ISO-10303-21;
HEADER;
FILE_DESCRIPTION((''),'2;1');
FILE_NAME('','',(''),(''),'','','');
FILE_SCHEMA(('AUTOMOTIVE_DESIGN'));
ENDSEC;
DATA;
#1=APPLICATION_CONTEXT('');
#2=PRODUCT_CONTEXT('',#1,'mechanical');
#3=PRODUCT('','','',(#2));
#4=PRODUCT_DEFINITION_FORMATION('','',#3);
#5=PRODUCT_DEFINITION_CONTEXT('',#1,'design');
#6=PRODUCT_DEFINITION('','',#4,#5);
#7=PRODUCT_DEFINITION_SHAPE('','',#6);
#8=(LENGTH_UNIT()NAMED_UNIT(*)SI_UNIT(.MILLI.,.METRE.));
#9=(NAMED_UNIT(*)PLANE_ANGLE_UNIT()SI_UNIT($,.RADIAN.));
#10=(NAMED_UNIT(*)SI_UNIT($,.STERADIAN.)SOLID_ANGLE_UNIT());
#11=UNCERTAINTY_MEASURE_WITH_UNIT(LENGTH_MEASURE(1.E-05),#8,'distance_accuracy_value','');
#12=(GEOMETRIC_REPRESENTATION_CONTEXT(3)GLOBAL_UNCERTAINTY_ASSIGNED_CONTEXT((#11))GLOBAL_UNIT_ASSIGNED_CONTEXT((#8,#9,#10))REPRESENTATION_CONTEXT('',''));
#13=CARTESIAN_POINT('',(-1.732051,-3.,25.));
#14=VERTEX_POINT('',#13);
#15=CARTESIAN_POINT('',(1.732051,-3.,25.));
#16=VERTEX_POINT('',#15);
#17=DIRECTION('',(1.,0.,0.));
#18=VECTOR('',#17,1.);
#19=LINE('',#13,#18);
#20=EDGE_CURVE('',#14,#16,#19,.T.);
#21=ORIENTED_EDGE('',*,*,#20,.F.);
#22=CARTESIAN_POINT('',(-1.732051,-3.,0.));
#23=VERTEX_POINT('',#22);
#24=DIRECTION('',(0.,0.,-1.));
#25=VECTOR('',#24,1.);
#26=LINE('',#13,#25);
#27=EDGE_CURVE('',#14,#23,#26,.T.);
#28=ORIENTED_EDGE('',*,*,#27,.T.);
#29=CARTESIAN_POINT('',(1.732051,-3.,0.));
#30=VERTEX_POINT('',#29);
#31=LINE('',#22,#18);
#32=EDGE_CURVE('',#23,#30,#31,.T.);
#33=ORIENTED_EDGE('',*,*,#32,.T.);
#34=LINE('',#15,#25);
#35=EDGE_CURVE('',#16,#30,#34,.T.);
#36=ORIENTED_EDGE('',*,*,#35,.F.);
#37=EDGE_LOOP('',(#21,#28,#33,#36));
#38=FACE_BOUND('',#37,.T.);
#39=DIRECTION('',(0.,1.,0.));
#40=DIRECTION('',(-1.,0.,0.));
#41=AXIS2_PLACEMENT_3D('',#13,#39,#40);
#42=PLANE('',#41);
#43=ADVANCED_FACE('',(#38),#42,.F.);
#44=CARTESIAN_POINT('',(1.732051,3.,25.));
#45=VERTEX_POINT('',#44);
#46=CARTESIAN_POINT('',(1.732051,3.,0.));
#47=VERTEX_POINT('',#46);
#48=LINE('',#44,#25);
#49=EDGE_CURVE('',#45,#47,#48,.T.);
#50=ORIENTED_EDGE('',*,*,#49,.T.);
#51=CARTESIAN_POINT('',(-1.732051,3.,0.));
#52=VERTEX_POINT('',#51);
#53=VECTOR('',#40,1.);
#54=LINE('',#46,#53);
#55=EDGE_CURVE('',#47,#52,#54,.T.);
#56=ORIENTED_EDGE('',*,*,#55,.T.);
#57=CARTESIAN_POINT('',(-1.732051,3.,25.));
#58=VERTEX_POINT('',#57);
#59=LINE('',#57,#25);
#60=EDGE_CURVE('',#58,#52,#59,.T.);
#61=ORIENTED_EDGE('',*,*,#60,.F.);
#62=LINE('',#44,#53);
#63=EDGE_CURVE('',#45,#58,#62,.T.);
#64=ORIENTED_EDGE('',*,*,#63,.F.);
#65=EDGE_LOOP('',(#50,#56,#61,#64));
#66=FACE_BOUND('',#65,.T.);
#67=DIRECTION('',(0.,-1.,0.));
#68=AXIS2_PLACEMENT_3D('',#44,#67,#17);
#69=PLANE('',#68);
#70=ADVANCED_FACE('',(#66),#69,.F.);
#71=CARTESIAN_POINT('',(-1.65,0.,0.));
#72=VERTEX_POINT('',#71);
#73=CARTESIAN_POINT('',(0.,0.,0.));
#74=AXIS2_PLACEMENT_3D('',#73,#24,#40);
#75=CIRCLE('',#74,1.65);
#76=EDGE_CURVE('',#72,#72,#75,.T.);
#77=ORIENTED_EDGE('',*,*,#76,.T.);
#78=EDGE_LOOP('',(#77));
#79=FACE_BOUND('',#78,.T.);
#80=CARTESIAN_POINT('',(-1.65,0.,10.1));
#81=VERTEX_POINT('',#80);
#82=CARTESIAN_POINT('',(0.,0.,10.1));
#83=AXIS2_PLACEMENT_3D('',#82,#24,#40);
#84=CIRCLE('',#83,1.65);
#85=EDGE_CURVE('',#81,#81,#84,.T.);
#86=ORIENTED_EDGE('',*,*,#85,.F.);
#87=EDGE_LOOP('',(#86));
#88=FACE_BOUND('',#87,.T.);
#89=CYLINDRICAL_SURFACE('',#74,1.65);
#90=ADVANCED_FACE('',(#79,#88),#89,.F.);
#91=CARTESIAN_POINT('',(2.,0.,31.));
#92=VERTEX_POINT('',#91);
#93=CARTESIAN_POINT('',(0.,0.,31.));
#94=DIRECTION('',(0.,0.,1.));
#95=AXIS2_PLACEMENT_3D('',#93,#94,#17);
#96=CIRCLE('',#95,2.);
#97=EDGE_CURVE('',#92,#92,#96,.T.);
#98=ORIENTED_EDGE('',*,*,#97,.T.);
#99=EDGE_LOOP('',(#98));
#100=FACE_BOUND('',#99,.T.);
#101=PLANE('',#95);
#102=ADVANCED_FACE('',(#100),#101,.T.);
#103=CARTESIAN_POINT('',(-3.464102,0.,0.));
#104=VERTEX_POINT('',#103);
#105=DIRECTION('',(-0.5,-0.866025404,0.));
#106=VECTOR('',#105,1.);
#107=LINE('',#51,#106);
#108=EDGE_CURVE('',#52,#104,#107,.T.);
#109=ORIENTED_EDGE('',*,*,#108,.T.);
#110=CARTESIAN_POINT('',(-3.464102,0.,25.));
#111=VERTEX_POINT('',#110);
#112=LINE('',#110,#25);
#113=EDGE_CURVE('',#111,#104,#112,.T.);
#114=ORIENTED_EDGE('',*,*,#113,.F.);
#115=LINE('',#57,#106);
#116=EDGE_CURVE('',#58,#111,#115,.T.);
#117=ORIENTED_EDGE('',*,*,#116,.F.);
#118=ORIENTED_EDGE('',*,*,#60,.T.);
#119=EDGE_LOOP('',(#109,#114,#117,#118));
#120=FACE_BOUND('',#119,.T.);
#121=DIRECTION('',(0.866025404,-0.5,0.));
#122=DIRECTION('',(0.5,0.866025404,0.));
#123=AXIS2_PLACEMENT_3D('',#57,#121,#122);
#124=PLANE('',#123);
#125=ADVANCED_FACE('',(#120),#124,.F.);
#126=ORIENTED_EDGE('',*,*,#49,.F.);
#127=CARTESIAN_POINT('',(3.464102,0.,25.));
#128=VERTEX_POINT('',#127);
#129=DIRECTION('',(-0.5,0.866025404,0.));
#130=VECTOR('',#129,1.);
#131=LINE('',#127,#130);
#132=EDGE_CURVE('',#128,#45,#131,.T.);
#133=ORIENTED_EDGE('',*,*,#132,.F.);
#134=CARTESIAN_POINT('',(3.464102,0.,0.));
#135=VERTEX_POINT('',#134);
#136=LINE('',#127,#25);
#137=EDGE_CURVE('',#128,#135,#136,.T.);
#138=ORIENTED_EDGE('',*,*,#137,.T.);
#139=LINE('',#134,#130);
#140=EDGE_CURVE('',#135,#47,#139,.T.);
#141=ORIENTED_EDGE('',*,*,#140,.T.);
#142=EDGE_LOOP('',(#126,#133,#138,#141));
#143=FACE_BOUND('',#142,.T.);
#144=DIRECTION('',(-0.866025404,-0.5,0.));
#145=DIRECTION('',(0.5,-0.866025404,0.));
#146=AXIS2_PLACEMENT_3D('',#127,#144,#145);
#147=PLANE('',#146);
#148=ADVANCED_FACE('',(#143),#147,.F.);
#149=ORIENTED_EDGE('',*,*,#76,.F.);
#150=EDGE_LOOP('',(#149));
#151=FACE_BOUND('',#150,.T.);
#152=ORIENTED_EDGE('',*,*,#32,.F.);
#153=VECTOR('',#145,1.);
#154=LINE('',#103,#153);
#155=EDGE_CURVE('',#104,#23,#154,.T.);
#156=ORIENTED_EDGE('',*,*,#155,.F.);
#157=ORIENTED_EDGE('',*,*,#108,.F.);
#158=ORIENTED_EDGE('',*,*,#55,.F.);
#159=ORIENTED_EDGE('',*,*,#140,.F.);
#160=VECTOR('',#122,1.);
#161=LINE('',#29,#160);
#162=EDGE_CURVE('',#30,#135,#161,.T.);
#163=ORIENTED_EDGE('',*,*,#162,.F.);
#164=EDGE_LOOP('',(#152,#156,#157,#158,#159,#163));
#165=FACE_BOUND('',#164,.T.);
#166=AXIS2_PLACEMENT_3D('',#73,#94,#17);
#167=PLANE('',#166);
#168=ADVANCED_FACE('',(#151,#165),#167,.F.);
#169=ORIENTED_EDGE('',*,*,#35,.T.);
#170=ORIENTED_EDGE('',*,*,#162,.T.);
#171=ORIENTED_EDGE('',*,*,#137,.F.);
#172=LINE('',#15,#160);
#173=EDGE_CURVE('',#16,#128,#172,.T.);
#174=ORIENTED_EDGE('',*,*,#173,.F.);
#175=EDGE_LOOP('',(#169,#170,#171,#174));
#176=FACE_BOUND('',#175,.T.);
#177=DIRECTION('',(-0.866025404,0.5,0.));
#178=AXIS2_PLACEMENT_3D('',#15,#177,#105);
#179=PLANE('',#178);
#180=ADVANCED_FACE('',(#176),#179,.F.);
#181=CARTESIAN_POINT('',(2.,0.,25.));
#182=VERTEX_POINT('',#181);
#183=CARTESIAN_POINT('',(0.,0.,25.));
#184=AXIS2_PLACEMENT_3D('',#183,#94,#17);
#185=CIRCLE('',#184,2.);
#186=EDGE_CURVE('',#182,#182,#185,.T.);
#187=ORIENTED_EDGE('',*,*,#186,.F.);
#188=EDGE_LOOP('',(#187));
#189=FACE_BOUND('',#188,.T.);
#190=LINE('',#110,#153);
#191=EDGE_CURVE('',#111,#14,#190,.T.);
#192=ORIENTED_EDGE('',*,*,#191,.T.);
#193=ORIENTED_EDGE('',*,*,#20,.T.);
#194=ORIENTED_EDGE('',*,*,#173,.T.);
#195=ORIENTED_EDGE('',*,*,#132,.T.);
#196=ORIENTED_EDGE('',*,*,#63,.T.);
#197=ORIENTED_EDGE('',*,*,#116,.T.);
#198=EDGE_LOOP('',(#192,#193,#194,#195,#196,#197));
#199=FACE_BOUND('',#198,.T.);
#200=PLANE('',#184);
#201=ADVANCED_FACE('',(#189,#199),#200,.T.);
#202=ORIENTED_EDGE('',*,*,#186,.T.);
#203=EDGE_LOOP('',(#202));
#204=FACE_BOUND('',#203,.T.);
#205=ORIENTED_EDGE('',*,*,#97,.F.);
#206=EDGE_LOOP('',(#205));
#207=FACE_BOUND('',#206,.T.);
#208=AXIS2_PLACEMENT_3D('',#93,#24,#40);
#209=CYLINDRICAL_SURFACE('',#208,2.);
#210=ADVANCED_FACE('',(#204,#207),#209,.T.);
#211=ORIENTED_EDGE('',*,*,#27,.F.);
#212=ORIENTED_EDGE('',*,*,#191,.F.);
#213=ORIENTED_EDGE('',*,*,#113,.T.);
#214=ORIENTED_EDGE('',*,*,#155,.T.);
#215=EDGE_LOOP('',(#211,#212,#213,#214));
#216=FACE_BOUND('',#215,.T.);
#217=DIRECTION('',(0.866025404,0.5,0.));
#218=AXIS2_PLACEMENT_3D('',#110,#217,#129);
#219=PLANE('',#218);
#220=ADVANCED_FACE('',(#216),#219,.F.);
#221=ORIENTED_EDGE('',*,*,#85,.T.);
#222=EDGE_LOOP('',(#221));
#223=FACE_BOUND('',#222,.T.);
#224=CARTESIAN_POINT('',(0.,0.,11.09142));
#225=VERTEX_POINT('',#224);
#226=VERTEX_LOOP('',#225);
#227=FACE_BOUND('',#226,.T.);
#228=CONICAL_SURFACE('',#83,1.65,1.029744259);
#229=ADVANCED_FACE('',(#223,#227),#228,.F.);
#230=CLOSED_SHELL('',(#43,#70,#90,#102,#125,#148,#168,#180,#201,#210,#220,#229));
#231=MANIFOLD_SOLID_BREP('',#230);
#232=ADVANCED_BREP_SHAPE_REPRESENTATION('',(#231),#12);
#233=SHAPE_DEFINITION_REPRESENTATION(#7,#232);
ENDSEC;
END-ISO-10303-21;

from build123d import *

# Parameters (mm, degrees)
BOSS_EXTRUDE1_DEPTH       = 25
SKETCH2_R                 = 2
BOSS_EXTRUDE2_DEPTH       = 6
M4X0_7_TAPPED_HOLE1_D     = 3.3
M4X0_7_TAPPED_HOLE1_DEPTH = 10.1
M4X0_7_TAPPED_HOLE1_TIP   = 0.991420021


with BuildPart() as part:
    # Sketch1 → Boss-Extrude1 (new body)
    with BuildSketch(Plane.XY):
        Polygon((3.464101615, 0), (1.732050808, 3), (-1.732050808, 3), (-3.464101615, 0), (-1.732050808, -3), (1.732050808, -3), align=None)
    extrude(amount=BOSS_EXTRUDE1_DEPTH)

    # Sketch2 → Boss-Extrude2 (add)
    with BuildSketch(Plane.XY.offset(25)):
        Circle(SKETCH2_R)
    extrude(amount=BOSS_EXTRUDE2_DEPTH)

    # M4x0.7 Tapped Hole1
    with Locations(Plane(origin=(0, 0, 0), x_dir=(-1, 0, 0), z_dir=(0, 0, -1))):
        with Locations((0, 0)):
            Hole(M4X0_7_TAPPED_HOLE1_D / 2, depth=M4X0_7_TAPPED_HOLE1_DEPTH)
            with Locations((0, 0, -(M4X0_7_TAPPED_HOLE1_DEPTH + M4X0_7_TAPPED_HOLE1_TIP / 2))):  # 118° drill point
                Cone(0, M4X0_7_TAPPED_HOLE1_D / 2, M4X0_7_TAPPED_HOLE1_TIP, mode=Mode.SUBTRACT)


solid = part.part
